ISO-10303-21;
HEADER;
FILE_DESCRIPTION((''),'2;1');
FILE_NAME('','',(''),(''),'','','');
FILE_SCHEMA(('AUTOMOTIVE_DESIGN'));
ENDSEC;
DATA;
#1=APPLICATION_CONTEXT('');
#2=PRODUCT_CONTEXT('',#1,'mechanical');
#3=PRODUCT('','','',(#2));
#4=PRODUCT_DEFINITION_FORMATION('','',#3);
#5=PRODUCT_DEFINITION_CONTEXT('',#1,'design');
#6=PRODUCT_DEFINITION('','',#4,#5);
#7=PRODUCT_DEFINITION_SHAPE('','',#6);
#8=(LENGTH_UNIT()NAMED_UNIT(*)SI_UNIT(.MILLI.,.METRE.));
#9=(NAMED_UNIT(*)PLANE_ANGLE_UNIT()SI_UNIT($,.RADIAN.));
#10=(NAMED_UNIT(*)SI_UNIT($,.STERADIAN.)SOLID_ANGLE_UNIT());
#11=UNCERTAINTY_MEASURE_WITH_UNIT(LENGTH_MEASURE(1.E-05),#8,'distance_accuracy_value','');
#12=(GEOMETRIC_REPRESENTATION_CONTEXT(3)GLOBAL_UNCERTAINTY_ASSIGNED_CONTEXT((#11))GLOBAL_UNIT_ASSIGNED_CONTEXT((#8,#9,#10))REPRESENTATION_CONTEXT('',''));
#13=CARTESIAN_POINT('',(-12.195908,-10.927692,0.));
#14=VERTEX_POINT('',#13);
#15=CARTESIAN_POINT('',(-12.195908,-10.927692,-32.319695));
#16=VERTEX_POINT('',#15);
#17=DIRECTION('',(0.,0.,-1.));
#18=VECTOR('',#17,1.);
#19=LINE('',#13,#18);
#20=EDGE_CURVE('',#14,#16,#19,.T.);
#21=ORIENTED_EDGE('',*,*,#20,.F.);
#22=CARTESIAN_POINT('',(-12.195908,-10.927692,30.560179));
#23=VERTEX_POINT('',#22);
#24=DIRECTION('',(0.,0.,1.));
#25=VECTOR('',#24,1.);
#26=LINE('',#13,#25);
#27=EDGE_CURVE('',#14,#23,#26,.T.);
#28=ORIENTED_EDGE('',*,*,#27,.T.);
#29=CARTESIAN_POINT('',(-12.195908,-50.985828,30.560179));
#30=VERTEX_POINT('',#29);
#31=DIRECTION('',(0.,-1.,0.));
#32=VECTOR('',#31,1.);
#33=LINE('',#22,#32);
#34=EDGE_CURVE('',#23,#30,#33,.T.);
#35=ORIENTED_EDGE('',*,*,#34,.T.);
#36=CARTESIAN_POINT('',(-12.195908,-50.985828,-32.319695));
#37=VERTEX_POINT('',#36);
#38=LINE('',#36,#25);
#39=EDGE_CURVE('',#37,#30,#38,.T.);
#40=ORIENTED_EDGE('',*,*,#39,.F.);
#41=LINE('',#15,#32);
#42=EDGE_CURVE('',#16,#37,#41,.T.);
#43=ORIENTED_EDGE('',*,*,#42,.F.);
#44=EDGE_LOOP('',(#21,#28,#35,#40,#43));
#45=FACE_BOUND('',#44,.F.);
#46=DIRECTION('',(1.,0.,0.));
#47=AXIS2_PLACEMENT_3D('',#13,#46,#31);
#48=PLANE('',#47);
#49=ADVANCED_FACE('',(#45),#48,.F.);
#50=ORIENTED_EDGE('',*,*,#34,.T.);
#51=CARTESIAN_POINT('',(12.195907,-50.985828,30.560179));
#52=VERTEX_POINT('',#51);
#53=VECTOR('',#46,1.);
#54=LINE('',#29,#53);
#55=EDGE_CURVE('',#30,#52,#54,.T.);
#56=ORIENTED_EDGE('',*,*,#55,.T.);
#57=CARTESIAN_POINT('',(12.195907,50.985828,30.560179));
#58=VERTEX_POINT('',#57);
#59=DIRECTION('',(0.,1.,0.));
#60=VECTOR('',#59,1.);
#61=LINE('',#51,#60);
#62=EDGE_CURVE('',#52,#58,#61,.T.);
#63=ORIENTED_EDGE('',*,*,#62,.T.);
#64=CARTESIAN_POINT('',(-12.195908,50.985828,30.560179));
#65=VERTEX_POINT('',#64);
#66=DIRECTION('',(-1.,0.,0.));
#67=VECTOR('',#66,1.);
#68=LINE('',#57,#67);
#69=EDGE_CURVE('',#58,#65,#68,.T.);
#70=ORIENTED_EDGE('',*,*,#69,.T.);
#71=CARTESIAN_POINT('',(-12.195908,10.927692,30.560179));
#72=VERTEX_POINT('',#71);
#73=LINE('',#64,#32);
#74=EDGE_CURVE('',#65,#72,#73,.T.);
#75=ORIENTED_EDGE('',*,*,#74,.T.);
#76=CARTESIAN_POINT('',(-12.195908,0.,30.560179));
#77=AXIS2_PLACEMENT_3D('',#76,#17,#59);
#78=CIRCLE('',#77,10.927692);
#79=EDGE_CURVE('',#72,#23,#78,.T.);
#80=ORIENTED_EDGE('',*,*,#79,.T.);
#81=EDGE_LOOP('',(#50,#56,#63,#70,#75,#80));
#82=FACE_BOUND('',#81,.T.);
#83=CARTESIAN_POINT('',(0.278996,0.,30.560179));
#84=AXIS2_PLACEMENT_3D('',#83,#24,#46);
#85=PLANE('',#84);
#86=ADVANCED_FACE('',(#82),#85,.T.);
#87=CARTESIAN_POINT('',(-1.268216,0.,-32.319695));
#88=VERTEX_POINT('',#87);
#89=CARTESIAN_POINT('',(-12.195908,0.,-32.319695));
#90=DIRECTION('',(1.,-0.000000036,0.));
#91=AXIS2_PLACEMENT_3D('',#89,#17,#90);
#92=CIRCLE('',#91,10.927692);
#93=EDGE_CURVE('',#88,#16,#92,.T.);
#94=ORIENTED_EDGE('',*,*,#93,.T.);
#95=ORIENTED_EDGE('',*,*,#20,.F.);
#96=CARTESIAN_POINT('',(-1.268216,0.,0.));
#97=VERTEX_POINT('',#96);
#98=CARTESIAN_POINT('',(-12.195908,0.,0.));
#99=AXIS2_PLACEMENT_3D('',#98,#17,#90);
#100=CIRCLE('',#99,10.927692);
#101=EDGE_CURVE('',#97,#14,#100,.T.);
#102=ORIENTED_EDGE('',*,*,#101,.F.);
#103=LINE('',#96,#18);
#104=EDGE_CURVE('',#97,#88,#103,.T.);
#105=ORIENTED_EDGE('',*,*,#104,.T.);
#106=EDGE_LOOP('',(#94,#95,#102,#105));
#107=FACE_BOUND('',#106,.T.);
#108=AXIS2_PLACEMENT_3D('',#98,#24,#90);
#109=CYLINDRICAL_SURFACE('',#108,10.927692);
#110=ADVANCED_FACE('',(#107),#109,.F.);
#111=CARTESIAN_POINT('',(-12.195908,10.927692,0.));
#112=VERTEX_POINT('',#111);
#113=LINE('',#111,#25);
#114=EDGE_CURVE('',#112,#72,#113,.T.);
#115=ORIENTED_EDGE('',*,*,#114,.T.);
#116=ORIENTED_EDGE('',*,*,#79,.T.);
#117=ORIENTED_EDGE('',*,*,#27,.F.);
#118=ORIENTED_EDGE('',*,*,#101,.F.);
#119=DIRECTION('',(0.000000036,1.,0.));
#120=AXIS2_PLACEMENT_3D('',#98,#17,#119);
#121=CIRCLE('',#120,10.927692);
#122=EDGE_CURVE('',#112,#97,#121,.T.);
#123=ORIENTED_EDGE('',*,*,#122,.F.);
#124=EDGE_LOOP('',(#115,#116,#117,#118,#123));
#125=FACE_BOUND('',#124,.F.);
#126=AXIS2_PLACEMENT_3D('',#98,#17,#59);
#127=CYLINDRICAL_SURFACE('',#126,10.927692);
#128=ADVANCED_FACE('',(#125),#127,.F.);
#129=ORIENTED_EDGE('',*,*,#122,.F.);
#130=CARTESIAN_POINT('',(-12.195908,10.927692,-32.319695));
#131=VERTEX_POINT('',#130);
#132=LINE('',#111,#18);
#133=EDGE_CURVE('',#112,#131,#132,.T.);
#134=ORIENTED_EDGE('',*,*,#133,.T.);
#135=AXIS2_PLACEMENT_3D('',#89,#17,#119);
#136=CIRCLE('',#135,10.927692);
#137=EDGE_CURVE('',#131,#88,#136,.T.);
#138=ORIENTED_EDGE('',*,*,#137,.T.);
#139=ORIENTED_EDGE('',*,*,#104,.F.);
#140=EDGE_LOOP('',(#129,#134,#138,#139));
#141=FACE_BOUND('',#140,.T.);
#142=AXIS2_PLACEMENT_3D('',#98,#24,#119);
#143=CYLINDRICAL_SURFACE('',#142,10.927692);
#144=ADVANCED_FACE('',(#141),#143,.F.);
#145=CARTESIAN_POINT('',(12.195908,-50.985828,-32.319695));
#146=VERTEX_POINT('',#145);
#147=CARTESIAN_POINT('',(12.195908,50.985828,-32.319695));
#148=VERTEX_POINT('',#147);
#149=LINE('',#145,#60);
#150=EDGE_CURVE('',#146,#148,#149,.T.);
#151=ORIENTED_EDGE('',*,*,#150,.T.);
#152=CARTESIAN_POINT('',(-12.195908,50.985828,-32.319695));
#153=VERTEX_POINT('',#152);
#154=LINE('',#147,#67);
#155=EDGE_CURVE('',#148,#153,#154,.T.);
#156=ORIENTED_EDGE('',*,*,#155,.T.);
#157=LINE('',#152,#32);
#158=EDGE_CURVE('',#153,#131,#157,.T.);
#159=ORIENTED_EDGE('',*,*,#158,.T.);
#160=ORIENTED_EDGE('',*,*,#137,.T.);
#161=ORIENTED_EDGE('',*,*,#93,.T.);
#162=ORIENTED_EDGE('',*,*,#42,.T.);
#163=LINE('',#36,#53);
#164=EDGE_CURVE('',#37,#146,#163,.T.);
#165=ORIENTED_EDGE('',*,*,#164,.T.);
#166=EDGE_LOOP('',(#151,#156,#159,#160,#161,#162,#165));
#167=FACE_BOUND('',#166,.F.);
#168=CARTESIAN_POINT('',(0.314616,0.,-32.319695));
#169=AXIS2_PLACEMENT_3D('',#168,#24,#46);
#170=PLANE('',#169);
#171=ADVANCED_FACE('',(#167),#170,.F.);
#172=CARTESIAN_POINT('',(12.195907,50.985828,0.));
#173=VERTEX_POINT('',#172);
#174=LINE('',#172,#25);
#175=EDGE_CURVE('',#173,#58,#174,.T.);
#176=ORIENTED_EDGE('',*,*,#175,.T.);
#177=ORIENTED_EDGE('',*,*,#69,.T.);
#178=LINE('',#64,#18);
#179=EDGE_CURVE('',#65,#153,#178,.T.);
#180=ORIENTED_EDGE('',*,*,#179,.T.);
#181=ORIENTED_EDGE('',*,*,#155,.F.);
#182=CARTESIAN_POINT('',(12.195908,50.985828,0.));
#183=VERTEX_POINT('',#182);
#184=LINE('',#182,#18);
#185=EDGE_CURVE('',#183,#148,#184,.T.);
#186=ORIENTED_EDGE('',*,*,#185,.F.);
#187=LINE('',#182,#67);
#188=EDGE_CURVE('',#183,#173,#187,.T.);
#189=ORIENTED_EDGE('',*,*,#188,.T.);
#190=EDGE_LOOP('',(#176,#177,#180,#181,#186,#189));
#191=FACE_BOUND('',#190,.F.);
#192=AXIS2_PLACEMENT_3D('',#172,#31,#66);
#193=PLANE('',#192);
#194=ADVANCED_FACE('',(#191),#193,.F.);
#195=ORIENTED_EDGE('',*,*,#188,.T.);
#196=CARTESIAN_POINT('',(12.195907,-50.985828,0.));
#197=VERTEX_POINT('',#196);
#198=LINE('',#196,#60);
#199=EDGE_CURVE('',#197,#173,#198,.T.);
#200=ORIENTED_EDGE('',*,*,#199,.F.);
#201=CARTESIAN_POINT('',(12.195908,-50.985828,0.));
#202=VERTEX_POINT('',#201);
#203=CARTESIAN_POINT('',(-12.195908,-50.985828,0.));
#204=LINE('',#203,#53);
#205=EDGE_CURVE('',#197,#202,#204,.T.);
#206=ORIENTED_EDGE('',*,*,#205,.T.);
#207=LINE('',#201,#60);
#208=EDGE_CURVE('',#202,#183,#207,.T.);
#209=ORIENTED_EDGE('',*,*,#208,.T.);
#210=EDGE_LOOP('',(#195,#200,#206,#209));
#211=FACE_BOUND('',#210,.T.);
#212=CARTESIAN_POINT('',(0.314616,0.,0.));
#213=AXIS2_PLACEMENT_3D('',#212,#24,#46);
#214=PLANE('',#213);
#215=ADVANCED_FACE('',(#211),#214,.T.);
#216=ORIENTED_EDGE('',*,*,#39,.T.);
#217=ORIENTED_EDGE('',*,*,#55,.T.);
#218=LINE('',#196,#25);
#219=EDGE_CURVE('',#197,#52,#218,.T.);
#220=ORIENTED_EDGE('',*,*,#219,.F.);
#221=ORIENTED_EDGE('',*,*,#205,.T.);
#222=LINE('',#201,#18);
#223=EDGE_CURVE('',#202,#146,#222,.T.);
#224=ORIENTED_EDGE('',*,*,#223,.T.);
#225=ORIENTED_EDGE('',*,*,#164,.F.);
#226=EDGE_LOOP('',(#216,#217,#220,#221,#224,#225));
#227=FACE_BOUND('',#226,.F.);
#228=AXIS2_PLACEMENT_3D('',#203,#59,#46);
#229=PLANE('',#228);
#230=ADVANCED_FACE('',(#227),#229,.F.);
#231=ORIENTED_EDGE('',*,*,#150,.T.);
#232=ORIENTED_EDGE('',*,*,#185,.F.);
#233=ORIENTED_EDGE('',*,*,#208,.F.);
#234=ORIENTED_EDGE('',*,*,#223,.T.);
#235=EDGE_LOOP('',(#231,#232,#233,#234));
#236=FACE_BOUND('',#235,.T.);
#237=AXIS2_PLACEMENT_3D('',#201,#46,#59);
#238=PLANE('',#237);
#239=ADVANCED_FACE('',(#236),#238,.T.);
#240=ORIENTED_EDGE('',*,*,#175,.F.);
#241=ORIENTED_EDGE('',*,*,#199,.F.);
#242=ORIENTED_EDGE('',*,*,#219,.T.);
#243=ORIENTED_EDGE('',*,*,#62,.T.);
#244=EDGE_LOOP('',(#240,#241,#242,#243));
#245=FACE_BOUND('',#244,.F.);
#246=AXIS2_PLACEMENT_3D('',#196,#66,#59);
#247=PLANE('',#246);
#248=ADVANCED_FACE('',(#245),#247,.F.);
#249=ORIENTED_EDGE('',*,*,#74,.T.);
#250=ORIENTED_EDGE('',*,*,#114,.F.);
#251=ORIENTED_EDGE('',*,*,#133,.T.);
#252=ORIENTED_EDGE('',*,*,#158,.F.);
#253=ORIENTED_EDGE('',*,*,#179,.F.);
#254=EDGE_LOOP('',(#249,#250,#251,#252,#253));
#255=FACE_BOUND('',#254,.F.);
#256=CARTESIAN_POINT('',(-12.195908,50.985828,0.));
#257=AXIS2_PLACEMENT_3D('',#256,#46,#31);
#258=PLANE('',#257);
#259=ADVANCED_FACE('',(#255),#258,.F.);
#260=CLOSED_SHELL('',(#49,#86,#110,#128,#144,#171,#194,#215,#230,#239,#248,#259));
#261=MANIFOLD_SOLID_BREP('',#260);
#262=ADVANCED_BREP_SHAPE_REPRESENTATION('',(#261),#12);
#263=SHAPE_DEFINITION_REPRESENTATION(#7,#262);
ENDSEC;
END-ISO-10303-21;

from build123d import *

# Parameters (mm, degrees)
F1_DEPTH = 32.319695
F2_DEPTH = 30.560179


with BuildPart() as f1:
    # F0 (on Top) → F1 (new body)
    with BuildSketch(Plane.XY):
        with BuildLine():
            Line((12.195908, -50.985828), (12.195908, 50.985828))
            Line((12.195908, 50.985828), (-12.195908, 50.985828))
            Line((-12.195908, 50.985828), (-12.195908, 10.927692))
            ThreePointArc((-12.195908, 10.927692), (-4.468863, 7.727045), (-1.268216, 0))
            ThreePointArc((-1.268216, 0), (-4.468863, -7.727045), (-12.195908, -10.927692))
            Line((-12.195908, -10.927692), (-12.195908, -50.985828))
            Line((-12.195908, -50.985828), (12.195908, -50.985828))
        make_face()
    extrude(amount=-F1_DEPTH)

    # F1_face (on face) → F2 (join)
    with BuildSketch(Plane(origin=(0.616475, 0, 0), x_dir=(1, 0, 0), z_dir=(0, 0, 1))):
        with BuildLine():
            Line((-12.812383, -10.927692), (-12.812383, -50.985828))
            Line((-12.812383, -50.985828), (11.579432, -50.985828))
            Line((11.579432, -50.985828), (11.579432, 50.985828))
            Line((11.579432, 50.985828), (-12.812383, 50.985828))
            Line((-12.812383, 50.985828), (-12.812383, 10.927692))
            ThreePointArc((-12.812383, 10.927692), (-1.884691, 0), (-12.812383, -10.927692))
        make_face()
    extrude(amount=F2_DEPTH)


solid = f1.part
